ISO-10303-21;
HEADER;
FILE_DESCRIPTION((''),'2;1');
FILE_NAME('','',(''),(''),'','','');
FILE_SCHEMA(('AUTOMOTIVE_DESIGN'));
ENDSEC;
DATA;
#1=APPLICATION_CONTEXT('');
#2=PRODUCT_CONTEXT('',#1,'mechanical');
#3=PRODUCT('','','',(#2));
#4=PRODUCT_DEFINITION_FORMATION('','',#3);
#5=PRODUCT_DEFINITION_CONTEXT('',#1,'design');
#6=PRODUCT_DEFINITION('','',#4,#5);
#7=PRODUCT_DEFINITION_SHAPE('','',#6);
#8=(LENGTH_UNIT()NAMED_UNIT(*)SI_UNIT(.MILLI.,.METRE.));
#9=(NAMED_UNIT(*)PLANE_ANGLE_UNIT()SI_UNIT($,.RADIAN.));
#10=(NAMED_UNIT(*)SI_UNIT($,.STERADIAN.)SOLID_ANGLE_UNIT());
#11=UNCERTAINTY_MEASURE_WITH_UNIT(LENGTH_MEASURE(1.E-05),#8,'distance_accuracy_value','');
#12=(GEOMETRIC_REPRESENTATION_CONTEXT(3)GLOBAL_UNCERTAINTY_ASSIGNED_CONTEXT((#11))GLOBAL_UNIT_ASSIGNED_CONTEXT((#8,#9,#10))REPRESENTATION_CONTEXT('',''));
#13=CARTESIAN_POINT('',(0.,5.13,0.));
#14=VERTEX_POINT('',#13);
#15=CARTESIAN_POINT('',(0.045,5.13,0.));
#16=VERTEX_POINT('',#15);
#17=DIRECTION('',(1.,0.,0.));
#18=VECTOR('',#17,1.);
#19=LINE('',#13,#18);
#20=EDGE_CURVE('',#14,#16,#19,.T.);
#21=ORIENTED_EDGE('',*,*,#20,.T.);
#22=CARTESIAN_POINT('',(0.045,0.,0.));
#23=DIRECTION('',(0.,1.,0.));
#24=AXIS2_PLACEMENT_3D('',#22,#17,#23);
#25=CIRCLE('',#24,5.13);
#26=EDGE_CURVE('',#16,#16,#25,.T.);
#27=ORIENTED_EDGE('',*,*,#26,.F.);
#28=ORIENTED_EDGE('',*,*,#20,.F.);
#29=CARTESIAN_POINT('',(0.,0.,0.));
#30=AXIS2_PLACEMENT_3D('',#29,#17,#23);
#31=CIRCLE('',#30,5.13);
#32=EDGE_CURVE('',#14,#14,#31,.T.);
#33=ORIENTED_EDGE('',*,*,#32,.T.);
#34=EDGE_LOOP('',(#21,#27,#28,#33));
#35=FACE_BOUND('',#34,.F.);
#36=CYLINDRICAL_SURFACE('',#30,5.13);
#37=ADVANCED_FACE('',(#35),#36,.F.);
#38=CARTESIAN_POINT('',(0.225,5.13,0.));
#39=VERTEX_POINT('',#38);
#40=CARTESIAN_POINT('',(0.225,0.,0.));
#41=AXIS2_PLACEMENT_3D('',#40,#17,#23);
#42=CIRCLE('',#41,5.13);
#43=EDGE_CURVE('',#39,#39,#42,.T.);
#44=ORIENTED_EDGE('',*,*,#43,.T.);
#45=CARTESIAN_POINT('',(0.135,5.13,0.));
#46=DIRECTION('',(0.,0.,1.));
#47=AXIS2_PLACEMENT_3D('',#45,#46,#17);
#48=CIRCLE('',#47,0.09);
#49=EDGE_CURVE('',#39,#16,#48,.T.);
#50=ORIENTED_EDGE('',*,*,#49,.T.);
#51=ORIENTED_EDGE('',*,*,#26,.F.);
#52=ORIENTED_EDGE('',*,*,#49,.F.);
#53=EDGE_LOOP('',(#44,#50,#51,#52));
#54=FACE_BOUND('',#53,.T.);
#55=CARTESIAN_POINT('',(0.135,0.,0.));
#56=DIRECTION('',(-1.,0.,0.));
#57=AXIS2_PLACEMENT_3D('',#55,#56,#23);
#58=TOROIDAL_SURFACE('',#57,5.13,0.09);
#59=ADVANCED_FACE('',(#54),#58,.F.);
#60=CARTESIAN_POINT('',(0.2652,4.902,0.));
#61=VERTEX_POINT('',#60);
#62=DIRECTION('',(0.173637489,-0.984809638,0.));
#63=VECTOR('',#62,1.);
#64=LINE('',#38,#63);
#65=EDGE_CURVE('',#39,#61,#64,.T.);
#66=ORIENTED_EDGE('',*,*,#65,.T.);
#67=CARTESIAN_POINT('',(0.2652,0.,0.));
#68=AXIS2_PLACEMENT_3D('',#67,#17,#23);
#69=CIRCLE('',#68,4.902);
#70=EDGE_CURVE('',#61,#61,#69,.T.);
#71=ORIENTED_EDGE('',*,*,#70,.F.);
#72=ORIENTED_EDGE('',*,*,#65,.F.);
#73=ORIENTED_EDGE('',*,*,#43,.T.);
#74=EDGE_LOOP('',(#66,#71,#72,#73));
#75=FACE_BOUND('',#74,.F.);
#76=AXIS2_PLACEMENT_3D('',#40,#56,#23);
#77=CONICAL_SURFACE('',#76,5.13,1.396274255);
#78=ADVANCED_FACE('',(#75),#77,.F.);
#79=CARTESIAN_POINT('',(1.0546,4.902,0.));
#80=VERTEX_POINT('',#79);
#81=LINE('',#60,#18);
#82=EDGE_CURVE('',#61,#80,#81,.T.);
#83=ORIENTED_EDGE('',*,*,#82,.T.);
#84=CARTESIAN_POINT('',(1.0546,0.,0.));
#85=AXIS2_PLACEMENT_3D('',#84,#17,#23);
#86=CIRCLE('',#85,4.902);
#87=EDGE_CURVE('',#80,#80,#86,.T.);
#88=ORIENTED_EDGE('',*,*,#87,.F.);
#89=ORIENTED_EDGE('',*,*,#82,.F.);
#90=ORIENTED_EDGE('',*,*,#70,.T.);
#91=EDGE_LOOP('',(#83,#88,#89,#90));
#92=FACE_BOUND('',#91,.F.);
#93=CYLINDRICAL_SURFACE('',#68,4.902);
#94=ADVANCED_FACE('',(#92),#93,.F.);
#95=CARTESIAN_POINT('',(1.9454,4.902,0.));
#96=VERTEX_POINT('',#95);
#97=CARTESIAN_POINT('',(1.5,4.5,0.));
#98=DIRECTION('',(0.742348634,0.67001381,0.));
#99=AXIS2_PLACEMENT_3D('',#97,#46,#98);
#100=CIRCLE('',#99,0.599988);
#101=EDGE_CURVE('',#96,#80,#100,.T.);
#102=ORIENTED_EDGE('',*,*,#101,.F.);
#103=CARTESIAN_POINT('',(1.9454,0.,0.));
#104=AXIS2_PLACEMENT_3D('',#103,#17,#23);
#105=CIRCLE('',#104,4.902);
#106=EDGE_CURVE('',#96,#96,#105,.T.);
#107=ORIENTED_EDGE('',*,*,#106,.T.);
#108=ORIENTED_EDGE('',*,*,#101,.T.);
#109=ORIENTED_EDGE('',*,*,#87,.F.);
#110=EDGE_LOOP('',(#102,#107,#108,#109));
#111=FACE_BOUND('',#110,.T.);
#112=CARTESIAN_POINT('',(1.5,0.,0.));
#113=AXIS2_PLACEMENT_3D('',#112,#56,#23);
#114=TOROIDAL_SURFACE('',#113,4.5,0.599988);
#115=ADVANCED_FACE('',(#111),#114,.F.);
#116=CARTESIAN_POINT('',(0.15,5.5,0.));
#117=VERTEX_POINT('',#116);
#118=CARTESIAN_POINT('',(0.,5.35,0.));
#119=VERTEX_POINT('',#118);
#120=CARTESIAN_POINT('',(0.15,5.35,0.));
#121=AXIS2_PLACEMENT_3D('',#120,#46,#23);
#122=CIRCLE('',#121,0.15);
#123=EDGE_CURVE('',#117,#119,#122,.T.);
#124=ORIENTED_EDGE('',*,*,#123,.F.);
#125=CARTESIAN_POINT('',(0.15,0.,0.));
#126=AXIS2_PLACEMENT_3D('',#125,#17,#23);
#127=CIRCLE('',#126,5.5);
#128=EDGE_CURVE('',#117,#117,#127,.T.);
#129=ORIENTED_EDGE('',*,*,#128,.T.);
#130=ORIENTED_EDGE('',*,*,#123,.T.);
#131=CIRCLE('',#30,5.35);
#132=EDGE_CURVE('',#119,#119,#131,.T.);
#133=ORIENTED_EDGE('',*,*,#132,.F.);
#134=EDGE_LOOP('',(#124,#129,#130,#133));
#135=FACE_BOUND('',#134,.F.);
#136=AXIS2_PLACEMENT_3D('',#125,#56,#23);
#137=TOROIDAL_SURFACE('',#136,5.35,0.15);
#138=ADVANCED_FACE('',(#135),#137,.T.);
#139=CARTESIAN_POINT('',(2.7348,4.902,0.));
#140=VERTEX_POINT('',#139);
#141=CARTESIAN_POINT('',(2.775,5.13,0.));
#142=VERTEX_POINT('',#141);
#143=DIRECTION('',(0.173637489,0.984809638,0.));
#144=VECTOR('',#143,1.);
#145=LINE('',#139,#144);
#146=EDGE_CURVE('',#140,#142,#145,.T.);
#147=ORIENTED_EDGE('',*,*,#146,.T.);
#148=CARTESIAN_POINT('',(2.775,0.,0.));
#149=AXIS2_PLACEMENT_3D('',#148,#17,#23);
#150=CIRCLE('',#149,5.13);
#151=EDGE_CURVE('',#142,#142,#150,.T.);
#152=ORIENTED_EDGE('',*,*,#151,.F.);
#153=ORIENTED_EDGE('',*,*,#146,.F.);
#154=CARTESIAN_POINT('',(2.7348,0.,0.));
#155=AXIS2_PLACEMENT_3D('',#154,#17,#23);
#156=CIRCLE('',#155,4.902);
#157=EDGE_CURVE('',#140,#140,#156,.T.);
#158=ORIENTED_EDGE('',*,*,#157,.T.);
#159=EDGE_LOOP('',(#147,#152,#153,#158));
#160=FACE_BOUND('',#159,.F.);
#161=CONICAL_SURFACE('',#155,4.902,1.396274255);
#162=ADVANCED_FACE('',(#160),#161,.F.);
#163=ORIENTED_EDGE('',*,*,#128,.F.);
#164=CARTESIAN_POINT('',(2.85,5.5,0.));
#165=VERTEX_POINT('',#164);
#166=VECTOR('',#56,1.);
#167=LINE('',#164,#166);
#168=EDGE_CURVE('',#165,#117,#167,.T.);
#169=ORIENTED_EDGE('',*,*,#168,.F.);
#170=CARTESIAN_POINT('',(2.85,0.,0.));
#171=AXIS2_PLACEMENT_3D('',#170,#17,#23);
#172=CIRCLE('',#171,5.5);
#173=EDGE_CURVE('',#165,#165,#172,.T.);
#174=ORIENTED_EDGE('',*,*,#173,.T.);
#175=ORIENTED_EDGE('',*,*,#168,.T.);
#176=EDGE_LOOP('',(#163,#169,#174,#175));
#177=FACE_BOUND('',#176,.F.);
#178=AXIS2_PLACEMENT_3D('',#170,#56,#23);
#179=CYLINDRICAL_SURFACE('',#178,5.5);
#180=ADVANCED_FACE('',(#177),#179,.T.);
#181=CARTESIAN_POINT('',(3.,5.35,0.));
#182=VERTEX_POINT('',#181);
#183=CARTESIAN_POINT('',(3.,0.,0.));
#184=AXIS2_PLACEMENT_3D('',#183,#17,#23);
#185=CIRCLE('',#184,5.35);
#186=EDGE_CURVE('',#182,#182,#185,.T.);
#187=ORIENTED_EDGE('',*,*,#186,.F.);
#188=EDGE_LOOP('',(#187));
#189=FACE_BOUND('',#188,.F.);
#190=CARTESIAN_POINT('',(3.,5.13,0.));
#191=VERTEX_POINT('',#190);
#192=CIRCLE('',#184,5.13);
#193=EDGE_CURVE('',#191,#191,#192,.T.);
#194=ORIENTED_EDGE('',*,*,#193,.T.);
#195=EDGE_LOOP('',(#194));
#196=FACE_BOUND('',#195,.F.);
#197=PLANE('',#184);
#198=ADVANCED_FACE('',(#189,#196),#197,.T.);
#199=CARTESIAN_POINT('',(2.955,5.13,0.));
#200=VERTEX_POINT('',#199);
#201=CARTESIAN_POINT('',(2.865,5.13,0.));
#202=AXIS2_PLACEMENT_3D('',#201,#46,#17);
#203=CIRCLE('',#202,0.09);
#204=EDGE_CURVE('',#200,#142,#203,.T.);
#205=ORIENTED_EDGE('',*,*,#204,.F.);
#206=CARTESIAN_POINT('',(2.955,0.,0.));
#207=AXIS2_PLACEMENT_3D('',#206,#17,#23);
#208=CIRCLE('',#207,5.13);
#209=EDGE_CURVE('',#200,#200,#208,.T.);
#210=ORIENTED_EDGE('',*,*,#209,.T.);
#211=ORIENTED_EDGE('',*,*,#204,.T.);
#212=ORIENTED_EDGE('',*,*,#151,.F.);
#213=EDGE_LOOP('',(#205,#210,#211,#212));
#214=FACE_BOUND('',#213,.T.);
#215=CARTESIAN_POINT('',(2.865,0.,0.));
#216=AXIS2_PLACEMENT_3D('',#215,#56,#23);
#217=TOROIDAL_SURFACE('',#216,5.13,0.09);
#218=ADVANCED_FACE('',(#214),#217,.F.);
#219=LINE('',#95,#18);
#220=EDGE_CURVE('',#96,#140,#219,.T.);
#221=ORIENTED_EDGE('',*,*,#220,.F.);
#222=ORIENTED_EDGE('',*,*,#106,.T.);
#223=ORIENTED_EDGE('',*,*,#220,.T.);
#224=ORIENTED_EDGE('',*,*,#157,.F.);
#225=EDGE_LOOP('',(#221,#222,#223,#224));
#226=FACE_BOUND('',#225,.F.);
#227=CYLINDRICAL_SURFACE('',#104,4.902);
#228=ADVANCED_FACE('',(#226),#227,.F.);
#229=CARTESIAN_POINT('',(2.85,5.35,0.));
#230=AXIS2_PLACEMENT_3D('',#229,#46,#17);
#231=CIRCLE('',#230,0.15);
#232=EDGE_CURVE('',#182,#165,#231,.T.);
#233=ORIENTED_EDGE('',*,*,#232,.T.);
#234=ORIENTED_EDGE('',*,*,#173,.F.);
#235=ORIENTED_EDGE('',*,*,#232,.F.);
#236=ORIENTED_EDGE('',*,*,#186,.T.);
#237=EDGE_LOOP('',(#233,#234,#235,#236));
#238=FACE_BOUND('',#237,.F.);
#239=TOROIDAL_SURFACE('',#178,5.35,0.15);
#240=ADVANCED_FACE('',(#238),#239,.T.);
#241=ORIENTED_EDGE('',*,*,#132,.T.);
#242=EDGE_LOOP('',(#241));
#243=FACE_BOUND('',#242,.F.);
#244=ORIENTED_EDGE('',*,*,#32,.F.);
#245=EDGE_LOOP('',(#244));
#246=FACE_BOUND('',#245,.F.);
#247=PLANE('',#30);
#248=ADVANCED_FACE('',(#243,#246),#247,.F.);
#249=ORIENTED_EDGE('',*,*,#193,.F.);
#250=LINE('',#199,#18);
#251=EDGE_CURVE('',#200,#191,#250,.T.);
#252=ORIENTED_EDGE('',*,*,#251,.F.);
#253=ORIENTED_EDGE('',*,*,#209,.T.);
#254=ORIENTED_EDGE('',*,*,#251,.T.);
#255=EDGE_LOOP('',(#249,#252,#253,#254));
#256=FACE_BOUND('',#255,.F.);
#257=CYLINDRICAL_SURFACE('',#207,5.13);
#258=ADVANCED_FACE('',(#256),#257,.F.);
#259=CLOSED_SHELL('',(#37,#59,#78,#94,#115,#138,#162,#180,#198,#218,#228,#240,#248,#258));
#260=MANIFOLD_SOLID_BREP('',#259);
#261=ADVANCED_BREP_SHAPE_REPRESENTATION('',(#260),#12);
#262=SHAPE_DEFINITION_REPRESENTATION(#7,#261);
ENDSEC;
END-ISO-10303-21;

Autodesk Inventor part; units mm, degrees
ref_plane "YZ Plane" through (0, 0, 0) normal (1, 0, 0) x (0, 1, 0)
ref_plane "XZ Plane" through (0, 0, 0) normal (0, 1, 0) x (-1, 0, 0)
ref_plane "XY Plane" through (0, 0, 0) normal (0, 0, 1) x (1, 0, 0)
sketch "Sketch_17" plane through (0, 0, 0) normal (0, 0, 1) x (1, 0, 0)
  line L0 (50, 0) -> (-50, 0)
  line L1 (0, 5.35) -> (0, 5.13)
  line L2 (0, 5.13) -> (0.045, 5.13)
  arc A0 (0.225, 5.13) -> (0.045, 5.13) centre (0.135, 5.13) ccw
  line L3 (0.225, 5.13) -> (0.2652, 4.902)
  line L4 (0.2652, 4.902) -> (1.0546, 4.902)
  arc A1 (1.9454, 4.902) -> (1.0546, 4.902) centre (1.5, 4.5) ccw
  line L5 (1.9454, 4.902) -> (2.7348, 4.902)
  line L6 (2.7348, 4.902) -> (2.775, 5.13)
  arc A2 (2.955, 5.13) -> (2.775, 5.13) centre (2.865, 5.13) ccw
  line L7 (2.955, 5.13) -> (3, 5.13)
  line L8 (3, 5.13) -> (3, 5.35)
  arc A3 (3, 5.35) -> (2.85, 5.5) centre (2.85, 5.35) ccw
  line L9 (2.85, 5.5) -> (0.15, 5.5)
  arc A4 (0.15, 5.5) -> (0, 5.35) centre (0.15, 5.35) ccw
revolve "Revolution1" add sketch "Sketch_17" angle 360 about axis through (50, 0, 0) along (1, 0, 0)
properties part number "W 627/7-2ZS_PART2"
